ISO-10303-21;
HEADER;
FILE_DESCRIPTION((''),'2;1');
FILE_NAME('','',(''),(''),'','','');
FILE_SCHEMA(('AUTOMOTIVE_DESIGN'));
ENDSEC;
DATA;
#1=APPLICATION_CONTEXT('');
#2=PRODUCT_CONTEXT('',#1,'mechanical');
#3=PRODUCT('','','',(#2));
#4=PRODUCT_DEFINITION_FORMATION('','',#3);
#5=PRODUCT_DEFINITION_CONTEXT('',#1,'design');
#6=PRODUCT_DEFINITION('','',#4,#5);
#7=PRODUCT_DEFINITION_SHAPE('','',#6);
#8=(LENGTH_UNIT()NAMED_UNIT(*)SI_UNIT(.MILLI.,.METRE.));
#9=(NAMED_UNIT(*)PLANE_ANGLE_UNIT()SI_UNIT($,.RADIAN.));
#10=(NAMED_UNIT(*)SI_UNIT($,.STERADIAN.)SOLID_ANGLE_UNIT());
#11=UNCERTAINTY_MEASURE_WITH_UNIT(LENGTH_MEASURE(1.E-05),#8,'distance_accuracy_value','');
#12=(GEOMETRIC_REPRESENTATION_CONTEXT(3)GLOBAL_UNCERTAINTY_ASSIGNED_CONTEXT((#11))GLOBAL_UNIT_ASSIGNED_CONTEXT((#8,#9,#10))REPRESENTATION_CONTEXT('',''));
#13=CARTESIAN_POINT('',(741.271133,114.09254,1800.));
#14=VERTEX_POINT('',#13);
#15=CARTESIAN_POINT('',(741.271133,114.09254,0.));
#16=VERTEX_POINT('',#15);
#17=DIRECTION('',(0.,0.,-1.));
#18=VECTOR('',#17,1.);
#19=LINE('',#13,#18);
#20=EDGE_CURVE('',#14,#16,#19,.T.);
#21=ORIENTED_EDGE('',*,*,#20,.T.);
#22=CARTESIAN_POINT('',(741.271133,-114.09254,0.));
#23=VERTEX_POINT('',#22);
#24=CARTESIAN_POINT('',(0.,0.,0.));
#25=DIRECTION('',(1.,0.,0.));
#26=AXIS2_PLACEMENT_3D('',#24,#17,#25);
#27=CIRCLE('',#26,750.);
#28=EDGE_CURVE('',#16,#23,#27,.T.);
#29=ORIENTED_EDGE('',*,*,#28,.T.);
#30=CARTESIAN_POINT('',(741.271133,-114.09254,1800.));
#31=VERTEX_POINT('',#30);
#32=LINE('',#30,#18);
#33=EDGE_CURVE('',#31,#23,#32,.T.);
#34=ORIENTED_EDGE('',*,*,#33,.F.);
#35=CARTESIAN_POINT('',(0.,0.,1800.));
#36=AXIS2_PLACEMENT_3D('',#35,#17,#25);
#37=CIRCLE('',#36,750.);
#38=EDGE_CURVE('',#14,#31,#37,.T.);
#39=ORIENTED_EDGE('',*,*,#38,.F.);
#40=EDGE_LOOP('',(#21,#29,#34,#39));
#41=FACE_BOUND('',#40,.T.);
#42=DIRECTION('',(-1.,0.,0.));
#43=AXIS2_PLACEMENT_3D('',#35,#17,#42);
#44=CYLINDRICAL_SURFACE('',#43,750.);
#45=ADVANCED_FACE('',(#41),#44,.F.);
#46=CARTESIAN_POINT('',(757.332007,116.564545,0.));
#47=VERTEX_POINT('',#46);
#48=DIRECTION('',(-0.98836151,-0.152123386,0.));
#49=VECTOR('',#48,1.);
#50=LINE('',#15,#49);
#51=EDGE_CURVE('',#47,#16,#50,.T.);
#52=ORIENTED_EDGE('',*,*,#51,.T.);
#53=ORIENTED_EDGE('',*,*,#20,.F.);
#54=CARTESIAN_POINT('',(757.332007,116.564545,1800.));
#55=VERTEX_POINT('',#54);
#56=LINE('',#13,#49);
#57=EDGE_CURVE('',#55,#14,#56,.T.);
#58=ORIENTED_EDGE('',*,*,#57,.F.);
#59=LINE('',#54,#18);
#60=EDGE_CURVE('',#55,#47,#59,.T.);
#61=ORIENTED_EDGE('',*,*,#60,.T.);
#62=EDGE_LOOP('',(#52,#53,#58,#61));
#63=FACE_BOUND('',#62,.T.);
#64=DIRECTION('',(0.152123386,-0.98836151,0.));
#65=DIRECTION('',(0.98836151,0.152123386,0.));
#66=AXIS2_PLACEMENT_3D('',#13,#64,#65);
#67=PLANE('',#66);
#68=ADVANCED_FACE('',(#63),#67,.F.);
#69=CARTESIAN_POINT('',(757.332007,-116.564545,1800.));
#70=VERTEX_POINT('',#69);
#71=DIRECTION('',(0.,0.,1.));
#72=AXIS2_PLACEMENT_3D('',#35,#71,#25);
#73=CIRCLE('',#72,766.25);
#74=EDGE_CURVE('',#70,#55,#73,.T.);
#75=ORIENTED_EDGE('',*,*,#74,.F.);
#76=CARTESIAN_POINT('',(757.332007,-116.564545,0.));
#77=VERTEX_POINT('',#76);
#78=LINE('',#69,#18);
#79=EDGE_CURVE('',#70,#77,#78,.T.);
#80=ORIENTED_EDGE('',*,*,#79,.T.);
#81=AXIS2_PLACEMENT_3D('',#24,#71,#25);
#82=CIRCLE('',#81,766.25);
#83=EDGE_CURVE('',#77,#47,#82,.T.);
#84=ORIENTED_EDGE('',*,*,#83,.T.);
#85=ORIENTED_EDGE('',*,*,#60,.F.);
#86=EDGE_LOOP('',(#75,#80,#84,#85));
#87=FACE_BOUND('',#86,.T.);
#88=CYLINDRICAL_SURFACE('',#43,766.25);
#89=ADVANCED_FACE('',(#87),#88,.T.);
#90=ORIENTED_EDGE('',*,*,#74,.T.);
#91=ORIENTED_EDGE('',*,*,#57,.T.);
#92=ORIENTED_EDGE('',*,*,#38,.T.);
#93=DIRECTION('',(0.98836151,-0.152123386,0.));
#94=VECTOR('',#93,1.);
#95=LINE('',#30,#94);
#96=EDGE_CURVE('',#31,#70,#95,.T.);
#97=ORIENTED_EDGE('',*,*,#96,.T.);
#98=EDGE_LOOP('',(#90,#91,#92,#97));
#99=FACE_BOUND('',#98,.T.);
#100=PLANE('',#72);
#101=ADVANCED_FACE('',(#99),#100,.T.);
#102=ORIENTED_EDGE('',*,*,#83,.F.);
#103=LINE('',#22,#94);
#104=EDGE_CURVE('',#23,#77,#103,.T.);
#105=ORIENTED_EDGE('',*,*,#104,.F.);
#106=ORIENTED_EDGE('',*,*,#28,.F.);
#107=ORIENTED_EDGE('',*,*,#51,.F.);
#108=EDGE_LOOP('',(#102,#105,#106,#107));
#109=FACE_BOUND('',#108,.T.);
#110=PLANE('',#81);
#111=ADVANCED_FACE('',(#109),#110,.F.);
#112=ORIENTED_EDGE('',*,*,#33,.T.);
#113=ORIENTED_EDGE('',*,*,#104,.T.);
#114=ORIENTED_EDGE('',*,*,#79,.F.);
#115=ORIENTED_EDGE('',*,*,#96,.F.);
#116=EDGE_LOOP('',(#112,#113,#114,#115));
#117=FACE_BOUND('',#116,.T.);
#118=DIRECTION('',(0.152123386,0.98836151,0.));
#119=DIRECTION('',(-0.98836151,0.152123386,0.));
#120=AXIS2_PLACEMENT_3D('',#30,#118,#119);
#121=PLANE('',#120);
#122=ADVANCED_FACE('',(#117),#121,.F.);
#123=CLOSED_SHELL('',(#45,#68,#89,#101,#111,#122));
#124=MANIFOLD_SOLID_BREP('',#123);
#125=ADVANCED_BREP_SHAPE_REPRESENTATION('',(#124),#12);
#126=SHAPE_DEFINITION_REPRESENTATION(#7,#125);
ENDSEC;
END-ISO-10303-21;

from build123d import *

# Parameters (mm, degrees)
BOSS_EXTRUDE1_DEPTH = 1800


with BuildPart() as part:
    # Sketch2 → Boss-Extrude1 (new body)
    with BuildSketch(Plane.XY):
        with BuildLine():
            Line((741.271132851, 114.092539642), (757.332007396, 116.564544668))
            ThreePointArc((757.332007396, 116.564544668), (766.25, 0), (757.332007396, -116.564544668))
            Line((757.332007396, -116.564544668), (741.271132851, -114.092539642))
            ThreePointArc((741.271132851, -114.092539642), (750, 0), (741.271132851, 114.092539642))
        make_face()
    extrude(amount=BOSS_EXTRUDE1_DEPTH)


solid = part.part
